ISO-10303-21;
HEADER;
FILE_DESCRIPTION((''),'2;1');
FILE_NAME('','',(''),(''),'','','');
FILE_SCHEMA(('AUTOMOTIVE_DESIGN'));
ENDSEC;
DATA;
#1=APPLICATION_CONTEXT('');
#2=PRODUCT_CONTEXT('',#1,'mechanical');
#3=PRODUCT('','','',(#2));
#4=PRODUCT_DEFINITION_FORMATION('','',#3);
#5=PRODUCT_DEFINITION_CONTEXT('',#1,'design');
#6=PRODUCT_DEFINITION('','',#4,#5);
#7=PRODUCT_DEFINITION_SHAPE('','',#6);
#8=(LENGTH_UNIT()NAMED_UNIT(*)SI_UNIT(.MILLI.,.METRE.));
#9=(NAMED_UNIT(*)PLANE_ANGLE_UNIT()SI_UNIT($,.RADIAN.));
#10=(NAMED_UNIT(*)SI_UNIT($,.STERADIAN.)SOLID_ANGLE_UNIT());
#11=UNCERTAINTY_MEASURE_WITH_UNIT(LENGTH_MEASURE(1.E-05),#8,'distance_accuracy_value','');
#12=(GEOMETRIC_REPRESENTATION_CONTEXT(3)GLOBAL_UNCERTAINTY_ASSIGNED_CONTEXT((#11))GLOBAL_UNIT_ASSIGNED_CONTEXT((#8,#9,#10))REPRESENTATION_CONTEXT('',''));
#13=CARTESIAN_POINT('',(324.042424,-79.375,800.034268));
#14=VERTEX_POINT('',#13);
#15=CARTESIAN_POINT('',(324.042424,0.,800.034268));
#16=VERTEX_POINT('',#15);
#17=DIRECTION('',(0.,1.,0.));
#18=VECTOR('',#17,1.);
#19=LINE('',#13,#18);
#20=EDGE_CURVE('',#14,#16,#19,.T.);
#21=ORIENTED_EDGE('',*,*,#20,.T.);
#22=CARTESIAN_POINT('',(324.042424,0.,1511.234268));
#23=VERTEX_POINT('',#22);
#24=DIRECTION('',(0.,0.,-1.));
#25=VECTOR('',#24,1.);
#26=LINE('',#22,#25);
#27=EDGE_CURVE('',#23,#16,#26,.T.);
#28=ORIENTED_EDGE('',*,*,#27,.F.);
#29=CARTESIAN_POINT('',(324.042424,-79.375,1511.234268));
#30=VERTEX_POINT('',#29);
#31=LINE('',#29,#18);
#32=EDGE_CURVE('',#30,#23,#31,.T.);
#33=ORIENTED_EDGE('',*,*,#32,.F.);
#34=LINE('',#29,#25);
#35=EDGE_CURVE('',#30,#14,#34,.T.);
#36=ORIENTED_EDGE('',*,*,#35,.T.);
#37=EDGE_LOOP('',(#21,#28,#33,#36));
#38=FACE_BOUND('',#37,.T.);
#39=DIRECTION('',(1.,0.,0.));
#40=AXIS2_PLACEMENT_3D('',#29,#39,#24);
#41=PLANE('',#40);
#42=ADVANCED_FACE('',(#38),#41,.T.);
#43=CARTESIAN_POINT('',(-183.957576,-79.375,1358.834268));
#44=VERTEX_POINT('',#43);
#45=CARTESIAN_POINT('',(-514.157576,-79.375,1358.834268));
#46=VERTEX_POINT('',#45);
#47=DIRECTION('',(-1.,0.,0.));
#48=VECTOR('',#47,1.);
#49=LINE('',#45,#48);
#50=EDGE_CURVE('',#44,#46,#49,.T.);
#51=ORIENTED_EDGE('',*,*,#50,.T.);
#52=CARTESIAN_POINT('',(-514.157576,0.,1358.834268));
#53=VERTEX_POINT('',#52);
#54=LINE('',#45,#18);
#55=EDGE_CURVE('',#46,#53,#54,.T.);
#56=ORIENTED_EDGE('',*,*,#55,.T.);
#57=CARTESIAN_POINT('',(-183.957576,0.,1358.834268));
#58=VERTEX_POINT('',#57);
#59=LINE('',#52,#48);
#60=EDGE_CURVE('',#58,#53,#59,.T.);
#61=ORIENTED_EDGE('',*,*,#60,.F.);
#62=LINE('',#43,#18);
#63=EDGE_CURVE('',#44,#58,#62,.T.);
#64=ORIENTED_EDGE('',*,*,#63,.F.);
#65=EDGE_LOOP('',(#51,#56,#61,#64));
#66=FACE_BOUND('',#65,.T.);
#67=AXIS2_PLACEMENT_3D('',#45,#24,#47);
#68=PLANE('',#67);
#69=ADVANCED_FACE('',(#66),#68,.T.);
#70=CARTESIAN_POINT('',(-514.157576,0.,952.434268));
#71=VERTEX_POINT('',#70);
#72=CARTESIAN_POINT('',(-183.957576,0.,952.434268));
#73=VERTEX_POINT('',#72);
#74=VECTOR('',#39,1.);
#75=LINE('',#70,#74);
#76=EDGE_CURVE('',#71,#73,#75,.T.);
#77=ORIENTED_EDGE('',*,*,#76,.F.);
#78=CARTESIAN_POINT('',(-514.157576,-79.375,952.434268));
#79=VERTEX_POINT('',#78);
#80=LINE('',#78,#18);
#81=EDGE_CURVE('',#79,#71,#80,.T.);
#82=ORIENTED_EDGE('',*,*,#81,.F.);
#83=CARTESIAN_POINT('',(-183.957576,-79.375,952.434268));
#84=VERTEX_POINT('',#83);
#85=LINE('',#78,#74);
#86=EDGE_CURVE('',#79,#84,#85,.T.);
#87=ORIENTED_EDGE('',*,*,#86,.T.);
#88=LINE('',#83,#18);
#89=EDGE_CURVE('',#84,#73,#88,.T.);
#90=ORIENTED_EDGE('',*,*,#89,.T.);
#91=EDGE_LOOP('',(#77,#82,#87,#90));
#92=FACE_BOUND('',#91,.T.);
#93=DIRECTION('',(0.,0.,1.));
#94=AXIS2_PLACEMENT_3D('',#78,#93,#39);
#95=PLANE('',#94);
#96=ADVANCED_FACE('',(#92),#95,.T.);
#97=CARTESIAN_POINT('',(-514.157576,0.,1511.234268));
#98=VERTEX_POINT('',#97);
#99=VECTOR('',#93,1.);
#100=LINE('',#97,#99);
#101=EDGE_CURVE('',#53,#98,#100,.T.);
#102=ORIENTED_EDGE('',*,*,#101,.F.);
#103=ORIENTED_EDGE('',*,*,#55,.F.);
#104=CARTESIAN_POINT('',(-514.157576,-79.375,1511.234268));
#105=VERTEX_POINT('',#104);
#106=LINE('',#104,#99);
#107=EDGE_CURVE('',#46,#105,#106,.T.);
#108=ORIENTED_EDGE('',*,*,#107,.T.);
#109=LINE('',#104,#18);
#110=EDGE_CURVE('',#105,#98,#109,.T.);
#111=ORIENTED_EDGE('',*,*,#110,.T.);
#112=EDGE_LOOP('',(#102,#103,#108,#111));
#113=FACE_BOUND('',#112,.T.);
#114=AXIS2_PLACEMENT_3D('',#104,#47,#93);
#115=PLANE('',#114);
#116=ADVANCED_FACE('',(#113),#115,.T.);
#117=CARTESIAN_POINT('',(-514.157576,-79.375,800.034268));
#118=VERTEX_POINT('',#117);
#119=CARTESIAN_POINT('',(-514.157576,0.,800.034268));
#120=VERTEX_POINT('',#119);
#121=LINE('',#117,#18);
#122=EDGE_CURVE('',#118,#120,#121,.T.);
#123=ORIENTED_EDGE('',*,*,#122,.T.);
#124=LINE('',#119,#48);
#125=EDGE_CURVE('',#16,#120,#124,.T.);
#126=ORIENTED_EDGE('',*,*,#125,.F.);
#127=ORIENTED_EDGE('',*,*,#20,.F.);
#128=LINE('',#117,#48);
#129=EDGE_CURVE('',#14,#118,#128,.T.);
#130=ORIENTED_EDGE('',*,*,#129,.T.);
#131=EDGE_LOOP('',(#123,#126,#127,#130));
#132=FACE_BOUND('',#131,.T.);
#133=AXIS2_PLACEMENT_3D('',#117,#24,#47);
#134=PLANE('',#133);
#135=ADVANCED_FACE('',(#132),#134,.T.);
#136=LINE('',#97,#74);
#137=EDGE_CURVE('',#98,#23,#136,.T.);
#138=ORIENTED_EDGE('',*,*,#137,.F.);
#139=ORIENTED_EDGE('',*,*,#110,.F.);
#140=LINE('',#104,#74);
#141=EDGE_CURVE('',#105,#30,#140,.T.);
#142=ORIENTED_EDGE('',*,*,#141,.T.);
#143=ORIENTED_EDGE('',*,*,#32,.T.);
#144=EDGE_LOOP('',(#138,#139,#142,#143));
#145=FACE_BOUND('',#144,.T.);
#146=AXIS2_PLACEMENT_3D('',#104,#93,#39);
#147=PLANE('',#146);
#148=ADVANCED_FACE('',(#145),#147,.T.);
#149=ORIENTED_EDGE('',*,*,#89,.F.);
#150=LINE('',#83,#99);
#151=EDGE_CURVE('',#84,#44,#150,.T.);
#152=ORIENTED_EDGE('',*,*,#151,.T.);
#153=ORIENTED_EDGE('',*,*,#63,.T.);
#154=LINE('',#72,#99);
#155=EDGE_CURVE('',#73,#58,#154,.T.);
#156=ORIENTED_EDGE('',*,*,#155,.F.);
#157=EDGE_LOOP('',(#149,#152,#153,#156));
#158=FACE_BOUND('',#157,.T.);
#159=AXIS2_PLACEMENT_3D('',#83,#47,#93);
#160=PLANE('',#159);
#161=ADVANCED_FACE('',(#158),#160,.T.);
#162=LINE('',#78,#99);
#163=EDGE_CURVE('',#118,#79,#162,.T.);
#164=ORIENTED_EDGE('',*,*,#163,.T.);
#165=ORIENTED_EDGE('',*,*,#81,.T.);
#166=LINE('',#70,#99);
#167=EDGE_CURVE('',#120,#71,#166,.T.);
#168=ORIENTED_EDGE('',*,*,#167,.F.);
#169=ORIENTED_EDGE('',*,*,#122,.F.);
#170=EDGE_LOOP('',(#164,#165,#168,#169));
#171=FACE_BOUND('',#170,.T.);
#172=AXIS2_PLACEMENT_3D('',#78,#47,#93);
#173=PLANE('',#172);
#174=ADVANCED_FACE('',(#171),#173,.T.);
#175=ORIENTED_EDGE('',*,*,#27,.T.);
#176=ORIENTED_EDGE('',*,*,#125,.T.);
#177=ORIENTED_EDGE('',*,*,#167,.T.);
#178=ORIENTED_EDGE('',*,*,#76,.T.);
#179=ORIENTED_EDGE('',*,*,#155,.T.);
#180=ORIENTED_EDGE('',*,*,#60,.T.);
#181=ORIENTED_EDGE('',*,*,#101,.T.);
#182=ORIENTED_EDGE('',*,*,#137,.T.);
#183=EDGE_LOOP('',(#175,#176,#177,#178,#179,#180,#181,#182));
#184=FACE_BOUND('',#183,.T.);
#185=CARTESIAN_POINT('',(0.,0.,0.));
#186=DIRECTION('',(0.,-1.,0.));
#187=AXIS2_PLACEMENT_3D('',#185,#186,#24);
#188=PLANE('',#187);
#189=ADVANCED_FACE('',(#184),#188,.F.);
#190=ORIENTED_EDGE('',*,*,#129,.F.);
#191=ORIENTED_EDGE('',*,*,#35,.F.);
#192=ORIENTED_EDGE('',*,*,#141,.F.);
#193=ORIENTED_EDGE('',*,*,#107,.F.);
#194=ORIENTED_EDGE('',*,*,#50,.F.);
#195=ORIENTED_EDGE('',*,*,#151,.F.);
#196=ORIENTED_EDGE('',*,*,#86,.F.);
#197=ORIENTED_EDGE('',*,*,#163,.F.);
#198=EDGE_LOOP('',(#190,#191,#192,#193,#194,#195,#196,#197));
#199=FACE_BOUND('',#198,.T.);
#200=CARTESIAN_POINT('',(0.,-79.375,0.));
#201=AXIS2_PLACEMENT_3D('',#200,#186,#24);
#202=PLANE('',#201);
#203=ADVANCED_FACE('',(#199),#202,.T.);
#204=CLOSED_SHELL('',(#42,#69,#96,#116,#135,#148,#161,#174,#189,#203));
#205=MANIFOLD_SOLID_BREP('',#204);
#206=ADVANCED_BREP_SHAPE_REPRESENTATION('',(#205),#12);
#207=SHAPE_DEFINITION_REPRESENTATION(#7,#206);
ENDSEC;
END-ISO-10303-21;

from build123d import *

# Parameters (mm, degrees)
BOSS_EXTRUDE1_DEPTH = 79.375


with BuildPart() as part:
    # Sketch2 → Boss-Extrude1 (new body)
    with BuildSketch(Plane(origin=(0, 0, 0), x_dir=(1, 0, 0), z_dir=(0, 1, 0))):
        Polygon((-514.157575758, -952.434268404), (-514.157575758, -800.034268404), (324.042424242, -800.034268404), (324.042424242, -1511.234268404), (-514.157575758, -1511.234268404), (-514.157575758, -1358.834268404), (-183.957575758, -1358.834268404), (-183.957575758, -952.434268404), align=None)
    extrude(amount=-BOSS_EXTRUDE1_DEPTH)


solid = part.part
